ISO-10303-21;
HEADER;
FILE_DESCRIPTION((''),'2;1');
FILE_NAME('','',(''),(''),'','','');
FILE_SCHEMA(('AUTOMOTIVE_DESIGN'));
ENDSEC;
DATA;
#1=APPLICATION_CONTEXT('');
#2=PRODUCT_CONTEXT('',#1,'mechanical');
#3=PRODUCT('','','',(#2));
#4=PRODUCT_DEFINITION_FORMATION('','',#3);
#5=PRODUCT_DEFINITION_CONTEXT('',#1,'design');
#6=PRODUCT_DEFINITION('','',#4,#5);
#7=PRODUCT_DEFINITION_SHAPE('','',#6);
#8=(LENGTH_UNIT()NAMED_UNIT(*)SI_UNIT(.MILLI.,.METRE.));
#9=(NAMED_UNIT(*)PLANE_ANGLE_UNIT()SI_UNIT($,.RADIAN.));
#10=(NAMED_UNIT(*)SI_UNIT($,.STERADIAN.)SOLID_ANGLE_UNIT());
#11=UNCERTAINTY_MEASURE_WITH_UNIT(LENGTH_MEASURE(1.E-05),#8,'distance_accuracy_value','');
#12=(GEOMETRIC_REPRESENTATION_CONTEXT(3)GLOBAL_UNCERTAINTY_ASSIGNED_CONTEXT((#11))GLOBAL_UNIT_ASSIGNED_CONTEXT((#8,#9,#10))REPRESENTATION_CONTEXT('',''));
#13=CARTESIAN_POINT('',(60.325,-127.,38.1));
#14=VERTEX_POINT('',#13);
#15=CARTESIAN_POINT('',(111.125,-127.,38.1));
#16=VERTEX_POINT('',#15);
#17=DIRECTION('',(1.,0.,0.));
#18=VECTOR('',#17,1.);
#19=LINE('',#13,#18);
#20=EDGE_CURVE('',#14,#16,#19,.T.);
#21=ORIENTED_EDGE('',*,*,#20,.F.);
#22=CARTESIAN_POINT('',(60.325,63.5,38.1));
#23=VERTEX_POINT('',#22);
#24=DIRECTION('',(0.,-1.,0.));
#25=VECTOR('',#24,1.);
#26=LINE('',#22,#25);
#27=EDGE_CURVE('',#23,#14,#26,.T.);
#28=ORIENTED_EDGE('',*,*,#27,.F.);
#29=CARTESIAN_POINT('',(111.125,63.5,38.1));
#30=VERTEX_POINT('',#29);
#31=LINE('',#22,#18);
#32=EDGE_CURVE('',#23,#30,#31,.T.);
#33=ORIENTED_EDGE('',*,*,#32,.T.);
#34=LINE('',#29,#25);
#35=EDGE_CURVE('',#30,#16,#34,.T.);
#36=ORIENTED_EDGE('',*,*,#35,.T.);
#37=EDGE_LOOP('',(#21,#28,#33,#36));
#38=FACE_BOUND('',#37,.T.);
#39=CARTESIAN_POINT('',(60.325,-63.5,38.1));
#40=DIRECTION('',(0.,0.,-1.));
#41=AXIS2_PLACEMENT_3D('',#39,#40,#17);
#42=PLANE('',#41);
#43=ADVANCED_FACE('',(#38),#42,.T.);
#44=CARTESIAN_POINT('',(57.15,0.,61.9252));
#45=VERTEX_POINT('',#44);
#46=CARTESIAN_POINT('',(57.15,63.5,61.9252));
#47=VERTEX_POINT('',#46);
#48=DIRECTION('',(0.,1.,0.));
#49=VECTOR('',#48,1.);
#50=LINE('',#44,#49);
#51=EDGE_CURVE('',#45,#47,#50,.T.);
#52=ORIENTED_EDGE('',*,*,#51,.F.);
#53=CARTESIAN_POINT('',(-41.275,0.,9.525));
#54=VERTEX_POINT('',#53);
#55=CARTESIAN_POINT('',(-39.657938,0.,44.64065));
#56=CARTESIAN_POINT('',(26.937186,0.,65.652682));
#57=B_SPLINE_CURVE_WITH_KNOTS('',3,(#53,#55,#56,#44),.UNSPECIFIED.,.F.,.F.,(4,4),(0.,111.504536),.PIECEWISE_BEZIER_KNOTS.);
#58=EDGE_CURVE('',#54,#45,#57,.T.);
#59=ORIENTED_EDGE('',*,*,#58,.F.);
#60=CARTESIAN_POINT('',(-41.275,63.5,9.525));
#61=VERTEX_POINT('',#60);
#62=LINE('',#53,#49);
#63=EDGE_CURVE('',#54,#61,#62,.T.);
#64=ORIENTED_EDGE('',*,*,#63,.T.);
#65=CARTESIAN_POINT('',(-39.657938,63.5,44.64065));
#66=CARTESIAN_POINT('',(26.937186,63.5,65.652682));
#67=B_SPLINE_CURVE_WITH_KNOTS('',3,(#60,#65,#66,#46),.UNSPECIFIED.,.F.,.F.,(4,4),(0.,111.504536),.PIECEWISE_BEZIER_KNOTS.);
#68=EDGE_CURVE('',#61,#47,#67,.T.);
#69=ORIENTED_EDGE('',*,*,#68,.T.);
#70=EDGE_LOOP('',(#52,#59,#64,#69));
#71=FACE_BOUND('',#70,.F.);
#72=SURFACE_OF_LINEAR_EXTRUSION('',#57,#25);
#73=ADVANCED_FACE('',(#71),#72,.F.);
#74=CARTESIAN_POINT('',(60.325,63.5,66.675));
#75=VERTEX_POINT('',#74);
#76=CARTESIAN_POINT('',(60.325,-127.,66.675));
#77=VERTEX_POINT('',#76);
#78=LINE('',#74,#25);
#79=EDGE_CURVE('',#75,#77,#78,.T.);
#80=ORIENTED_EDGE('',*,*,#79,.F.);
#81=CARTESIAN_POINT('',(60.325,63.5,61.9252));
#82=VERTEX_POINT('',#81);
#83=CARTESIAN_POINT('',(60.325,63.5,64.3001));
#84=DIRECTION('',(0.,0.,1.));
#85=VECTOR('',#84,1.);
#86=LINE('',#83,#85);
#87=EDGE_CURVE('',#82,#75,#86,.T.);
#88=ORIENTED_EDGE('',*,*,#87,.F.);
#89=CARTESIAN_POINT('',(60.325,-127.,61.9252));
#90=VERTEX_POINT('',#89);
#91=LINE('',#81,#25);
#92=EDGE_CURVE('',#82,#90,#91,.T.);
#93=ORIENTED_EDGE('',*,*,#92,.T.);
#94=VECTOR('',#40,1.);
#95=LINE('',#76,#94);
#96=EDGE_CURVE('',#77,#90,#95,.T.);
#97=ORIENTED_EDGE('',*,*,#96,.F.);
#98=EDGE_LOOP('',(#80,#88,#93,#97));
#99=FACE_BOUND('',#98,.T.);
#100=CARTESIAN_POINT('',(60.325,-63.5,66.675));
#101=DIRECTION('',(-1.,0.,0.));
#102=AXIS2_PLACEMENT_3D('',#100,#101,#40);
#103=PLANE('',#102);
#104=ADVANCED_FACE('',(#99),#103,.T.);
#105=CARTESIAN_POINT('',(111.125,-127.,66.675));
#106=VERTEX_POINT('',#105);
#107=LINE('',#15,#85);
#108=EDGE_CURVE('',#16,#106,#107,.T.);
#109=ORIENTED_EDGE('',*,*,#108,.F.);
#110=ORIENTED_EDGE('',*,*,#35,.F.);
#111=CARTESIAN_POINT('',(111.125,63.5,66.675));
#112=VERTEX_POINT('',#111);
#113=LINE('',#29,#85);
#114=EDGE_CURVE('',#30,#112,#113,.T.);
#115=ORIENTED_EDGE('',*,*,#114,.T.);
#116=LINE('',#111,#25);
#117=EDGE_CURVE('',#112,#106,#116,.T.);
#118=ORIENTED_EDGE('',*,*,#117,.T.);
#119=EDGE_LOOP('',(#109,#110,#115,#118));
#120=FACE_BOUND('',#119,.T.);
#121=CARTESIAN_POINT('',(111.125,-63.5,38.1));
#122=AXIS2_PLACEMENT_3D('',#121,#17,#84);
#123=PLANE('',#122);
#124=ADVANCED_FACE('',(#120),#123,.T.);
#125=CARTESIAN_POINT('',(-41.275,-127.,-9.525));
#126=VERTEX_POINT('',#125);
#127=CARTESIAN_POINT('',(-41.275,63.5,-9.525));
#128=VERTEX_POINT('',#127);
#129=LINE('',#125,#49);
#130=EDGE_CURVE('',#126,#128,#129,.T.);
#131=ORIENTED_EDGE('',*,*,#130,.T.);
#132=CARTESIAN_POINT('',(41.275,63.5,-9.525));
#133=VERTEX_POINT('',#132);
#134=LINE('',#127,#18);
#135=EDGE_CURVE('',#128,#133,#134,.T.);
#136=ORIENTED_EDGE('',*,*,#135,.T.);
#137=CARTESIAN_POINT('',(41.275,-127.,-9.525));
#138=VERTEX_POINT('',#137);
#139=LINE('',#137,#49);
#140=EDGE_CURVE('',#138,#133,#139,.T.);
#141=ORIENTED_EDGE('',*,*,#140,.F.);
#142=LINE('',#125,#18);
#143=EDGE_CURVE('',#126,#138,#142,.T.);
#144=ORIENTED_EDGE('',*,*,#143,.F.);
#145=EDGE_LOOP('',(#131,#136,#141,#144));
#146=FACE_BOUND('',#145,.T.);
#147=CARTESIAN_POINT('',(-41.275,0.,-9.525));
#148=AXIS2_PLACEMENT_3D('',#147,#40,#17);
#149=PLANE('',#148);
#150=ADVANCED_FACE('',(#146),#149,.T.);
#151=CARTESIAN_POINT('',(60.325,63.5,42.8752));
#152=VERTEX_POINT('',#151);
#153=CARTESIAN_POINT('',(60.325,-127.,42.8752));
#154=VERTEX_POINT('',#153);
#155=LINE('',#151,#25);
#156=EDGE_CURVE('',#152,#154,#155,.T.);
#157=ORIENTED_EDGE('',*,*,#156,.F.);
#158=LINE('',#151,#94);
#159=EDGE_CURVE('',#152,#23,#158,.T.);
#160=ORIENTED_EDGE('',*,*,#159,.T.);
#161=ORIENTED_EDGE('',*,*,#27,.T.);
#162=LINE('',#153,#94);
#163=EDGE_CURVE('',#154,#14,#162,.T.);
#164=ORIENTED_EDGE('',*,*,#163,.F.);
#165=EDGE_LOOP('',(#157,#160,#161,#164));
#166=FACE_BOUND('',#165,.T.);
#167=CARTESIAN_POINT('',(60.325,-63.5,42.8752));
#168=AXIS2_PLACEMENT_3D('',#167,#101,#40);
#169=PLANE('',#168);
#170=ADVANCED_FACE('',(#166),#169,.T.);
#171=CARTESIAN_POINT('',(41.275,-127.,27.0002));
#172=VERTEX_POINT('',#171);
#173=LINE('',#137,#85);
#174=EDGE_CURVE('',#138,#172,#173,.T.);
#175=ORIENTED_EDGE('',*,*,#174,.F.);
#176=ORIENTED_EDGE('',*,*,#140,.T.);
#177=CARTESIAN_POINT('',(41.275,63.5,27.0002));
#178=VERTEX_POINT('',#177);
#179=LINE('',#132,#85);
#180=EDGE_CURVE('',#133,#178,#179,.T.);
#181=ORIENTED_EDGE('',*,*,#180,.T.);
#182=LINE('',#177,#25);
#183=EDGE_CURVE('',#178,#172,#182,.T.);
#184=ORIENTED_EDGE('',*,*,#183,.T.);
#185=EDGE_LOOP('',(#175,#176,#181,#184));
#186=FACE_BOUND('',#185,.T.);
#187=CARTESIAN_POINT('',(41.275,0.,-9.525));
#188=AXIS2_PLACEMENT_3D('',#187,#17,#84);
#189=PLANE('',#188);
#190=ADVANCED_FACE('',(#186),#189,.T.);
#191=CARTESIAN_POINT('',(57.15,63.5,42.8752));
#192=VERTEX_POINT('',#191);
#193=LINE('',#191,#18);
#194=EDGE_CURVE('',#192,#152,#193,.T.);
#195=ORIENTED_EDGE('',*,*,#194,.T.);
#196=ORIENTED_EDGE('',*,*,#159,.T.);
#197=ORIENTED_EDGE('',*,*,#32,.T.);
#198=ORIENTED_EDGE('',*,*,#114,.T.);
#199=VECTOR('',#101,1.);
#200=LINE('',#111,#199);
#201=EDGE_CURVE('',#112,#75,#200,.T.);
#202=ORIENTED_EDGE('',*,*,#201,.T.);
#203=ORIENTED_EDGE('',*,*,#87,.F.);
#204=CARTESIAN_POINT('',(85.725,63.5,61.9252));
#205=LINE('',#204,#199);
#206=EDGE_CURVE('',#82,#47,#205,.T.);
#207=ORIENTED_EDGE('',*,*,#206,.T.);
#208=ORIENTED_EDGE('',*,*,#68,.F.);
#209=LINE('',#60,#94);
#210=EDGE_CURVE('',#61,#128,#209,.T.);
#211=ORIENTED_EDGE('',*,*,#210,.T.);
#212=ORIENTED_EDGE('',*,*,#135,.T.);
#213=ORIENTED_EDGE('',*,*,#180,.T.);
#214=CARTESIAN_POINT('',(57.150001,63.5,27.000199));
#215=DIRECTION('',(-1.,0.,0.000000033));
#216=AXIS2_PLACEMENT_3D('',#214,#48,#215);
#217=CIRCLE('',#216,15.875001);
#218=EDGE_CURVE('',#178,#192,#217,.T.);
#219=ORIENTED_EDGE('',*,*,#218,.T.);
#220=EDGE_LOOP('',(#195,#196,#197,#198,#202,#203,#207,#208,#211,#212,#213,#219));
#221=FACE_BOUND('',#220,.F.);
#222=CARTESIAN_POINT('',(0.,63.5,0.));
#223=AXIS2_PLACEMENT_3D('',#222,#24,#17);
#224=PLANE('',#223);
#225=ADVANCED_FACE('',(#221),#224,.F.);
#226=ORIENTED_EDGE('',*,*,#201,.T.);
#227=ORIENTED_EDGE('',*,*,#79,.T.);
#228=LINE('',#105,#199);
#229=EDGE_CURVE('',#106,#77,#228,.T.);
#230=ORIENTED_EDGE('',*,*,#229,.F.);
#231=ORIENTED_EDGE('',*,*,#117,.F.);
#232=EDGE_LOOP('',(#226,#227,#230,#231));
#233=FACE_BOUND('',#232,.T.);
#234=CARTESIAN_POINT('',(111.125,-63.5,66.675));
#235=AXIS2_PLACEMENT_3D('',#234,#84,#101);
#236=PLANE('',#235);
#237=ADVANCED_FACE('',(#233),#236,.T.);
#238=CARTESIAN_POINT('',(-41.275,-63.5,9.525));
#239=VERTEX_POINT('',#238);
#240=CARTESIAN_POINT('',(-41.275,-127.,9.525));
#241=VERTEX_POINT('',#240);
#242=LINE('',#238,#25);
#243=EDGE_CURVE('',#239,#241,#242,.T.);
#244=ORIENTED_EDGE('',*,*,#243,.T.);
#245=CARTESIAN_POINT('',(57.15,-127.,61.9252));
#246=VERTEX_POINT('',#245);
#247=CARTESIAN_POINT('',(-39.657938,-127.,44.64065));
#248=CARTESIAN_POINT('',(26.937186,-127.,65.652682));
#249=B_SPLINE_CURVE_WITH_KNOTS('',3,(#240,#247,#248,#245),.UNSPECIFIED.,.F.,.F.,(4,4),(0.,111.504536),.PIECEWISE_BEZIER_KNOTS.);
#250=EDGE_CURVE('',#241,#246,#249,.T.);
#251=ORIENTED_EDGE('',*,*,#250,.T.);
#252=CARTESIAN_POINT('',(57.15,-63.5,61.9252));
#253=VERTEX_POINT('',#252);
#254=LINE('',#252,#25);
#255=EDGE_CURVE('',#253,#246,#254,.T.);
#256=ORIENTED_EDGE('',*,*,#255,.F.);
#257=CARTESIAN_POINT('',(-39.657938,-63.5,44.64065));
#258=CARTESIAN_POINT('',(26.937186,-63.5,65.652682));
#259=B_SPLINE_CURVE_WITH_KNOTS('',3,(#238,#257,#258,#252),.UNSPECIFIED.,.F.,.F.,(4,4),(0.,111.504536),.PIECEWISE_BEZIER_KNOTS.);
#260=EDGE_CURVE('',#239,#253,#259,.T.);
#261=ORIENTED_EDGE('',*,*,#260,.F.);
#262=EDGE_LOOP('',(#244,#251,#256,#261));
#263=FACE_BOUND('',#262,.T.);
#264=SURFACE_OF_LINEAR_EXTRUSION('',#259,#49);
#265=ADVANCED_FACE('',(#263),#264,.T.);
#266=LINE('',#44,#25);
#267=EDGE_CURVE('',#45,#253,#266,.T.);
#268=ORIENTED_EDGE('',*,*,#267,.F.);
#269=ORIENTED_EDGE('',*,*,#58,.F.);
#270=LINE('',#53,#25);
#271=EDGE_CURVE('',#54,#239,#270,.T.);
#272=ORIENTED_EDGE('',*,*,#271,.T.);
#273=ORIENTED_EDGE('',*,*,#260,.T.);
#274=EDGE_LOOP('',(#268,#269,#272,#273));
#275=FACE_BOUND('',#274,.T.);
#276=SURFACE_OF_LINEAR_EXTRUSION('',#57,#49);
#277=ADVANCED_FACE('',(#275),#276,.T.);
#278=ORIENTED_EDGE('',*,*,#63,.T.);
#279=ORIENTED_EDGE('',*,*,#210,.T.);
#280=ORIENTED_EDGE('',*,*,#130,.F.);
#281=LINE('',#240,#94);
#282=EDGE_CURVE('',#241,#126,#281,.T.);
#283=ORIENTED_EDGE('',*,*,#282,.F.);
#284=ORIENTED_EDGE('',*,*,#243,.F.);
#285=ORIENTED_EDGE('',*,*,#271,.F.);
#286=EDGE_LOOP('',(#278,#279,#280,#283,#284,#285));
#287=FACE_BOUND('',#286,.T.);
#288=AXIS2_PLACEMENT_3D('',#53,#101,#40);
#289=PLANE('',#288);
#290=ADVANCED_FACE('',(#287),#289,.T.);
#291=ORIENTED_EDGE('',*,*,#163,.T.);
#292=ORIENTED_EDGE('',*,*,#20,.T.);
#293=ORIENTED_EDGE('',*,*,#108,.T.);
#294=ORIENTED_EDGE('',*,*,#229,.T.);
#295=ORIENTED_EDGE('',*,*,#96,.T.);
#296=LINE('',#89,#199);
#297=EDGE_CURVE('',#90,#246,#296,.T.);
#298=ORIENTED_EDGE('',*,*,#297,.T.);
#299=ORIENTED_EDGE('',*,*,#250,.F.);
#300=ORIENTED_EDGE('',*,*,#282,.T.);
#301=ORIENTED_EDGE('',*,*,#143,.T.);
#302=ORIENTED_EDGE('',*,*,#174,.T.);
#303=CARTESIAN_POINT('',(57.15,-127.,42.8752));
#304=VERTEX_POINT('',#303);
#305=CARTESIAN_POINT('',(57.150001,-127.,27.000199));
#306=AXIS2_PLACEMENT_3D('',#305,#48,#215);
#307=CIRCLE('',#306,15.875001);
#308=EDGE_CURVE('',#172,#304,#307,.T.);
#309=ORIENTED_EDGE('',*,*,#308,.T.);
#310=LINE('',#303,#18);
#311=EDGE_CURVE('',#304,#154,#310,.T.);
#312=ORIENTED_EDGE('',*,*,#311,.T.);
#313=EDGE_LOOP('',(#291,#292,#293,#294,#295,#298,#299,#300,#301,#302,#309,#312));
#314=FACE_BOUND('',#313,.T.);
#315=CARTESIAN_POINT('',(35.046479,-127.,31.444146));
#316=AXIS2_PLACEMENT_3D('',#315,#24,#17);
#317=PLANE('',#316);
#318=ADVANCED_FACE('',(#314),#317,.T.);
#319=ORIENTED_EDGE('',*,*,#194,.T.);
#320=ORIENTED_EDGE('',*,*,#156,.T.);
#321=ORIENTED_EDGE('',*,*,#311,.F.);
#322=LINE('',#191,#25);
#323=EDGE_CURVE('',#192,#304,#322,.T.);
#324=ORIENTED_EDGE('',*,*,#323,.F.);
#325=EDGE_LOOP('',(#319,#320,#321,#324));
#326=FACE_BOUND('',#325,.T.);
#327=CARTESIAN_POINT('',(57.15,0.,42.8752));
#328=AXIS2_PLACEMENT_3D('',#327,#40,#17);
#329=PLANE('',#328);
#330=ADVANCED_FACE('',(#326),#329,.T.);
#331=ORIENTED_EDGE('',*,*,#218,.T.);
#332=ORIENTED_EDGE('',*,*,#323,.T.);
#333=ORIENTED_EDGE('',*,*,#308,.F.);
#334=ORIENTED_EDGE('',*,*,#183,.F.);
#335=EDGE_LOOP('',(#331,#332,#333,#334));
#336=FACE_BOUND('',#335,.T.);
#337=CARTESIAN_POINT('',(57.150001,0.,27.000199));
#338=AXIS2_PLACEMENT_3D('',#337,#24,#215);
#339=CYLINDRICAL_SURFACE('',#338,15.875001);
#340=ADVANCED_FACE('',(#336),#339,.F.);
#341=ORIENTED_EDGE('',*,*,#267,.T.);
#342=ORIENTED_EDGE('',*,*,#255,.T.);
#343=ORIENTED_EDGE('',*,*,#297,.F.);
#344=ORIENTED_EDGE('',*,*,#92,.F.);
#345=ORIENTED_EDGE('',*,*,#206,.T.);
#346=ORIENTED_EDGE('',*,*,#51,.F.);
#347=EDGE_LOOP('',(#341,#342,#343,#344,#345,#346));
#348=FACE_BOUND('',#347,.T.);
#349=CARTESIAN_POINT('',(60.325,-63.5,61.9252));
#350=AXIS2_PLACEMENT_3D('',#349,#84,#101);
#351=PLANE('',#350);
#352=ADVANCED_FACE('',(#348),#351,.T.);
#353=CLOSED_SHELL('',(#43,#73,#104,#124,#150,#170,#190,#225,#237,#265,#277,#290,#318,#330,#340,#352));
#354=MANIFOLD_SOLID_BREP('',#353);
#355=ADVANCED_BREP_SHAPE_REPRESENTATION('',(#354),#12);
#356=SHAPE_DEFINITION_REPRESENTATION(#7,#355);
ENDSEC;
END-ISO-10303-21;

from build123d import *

# Parameters (mm, degrees)
F0_W     = 25.4
F0_H     = 4.7498
F1_DEPTH = 63.5
F2_DEPTH = 63.5


with BuildPart() as f1:
    # F0 (on Front) → F1 (new body, symmetric)
    with BuildSketch(Plane.XZ):
        Polygon((41.275, -9.525), (41.275, 9.525), (22.225, 9.525), (-41.275, 9.525), (-41.275, -9.525), align=None)
        with BuildLine():
            Line((22.225, 9.525), (41.275, 9.525))
            Line((41.275, 9.525), (41.275, 27.0002))
            ThreePointArc((41.275, 27.0002), (45.92468, 38.22552), (57.15, 42.8752))
            Line((57.15, 42.8752), (60.325, 42.8752))
            Line((60.325, 42.8752), (60.325, 61.9252))
            Line((60.325, 61.9252), (57.15, 61.9252))
            ThreePointArc((57.15, 61.9252), (32.454296, 51.695904), (22.225, 27.0002))
            Line((22.225, 27.0002), (22.225, 9.525))
        make_face()
        with BuildLine():
            Line((-41.275, 9.525), (22.225, 9.525))
            Line((22.225, 9.525), (22.225, 27.0002))
            ThreePointArc((22.225, 27.0002), (32.454296, 51.695904), (57.15, 61.9252))
            add(Edge.make_bspline(
                [(-41.275, 9.525), (-39.657938, 44.64065), (26.937186, 65.652682), (57.15, 61.9252)],
                knots=[0, 0, 0, 0, 111.504536, 111.504536, 111.504536, 111.504536], degree=3))
        make_face()
        Polygon((60.325, 61.9252), (60.325, 42.8752), (60.325, 38.1), (111.125, 38.1), (111.125, 66.675), (85.725, 66.675), (85.725, 61.9252), align=None)
        with Locations((73.025, 64.3001)):
            Rectangle(F0_W, F0_H)
    extrude(amount=F1_DEPTH, both=True)

    # F1_face (on face) → F2 (join, symmetric)
    with BuildSketch(Plane(origin=(25.424226, -63.5, 29.456982), x_dir=(1, 0, 0), z_dir=(0, -1, 0))):
        with BuildLine():
            Line((15.850774, -38.981982), (15.850774, -2.456782))
            ThreePointArc((15.850774, -2.456782), (20.500454, 8.768538), (31.725774, 13.418218))
            Line((31.725774, 13.418218), (34.900774, 13.418218))
            Line((34.900774, 13.418218), (34.900774, 8.643018))
            Line((34.900774, 8.643018), (85.700774, 8.643018))
            Line((85.700774, 8.643018), (85.700774, 37.218018))
            Line((85.700774, 37.218018), (34.900774, 37.218018))
            Line((34.900774, 37.218018), (34.900774, 32.468218))
            Line((34.900774, 32.468218), (31.725774, 32.468218))
            add(Edge.make_bspline(
                [(-66.699226, -19.931982), (-65.082164, 15.183668), (1.51296, 36.1957), (31.725774, 32.468218)],
                knots=[0, 0, 0, 0, 111.504536, 111.504536, 111.504536, 111.504536], degree=3))
            Line((-66.699226, -19.931982), (-66.699226, -38.981982))
            Line((-66.699226, -38.981982), (15.850774, -38.981982))
        make_face()
    extrude(amount=F2_DEPTH, both=True)


solid = f1.part
